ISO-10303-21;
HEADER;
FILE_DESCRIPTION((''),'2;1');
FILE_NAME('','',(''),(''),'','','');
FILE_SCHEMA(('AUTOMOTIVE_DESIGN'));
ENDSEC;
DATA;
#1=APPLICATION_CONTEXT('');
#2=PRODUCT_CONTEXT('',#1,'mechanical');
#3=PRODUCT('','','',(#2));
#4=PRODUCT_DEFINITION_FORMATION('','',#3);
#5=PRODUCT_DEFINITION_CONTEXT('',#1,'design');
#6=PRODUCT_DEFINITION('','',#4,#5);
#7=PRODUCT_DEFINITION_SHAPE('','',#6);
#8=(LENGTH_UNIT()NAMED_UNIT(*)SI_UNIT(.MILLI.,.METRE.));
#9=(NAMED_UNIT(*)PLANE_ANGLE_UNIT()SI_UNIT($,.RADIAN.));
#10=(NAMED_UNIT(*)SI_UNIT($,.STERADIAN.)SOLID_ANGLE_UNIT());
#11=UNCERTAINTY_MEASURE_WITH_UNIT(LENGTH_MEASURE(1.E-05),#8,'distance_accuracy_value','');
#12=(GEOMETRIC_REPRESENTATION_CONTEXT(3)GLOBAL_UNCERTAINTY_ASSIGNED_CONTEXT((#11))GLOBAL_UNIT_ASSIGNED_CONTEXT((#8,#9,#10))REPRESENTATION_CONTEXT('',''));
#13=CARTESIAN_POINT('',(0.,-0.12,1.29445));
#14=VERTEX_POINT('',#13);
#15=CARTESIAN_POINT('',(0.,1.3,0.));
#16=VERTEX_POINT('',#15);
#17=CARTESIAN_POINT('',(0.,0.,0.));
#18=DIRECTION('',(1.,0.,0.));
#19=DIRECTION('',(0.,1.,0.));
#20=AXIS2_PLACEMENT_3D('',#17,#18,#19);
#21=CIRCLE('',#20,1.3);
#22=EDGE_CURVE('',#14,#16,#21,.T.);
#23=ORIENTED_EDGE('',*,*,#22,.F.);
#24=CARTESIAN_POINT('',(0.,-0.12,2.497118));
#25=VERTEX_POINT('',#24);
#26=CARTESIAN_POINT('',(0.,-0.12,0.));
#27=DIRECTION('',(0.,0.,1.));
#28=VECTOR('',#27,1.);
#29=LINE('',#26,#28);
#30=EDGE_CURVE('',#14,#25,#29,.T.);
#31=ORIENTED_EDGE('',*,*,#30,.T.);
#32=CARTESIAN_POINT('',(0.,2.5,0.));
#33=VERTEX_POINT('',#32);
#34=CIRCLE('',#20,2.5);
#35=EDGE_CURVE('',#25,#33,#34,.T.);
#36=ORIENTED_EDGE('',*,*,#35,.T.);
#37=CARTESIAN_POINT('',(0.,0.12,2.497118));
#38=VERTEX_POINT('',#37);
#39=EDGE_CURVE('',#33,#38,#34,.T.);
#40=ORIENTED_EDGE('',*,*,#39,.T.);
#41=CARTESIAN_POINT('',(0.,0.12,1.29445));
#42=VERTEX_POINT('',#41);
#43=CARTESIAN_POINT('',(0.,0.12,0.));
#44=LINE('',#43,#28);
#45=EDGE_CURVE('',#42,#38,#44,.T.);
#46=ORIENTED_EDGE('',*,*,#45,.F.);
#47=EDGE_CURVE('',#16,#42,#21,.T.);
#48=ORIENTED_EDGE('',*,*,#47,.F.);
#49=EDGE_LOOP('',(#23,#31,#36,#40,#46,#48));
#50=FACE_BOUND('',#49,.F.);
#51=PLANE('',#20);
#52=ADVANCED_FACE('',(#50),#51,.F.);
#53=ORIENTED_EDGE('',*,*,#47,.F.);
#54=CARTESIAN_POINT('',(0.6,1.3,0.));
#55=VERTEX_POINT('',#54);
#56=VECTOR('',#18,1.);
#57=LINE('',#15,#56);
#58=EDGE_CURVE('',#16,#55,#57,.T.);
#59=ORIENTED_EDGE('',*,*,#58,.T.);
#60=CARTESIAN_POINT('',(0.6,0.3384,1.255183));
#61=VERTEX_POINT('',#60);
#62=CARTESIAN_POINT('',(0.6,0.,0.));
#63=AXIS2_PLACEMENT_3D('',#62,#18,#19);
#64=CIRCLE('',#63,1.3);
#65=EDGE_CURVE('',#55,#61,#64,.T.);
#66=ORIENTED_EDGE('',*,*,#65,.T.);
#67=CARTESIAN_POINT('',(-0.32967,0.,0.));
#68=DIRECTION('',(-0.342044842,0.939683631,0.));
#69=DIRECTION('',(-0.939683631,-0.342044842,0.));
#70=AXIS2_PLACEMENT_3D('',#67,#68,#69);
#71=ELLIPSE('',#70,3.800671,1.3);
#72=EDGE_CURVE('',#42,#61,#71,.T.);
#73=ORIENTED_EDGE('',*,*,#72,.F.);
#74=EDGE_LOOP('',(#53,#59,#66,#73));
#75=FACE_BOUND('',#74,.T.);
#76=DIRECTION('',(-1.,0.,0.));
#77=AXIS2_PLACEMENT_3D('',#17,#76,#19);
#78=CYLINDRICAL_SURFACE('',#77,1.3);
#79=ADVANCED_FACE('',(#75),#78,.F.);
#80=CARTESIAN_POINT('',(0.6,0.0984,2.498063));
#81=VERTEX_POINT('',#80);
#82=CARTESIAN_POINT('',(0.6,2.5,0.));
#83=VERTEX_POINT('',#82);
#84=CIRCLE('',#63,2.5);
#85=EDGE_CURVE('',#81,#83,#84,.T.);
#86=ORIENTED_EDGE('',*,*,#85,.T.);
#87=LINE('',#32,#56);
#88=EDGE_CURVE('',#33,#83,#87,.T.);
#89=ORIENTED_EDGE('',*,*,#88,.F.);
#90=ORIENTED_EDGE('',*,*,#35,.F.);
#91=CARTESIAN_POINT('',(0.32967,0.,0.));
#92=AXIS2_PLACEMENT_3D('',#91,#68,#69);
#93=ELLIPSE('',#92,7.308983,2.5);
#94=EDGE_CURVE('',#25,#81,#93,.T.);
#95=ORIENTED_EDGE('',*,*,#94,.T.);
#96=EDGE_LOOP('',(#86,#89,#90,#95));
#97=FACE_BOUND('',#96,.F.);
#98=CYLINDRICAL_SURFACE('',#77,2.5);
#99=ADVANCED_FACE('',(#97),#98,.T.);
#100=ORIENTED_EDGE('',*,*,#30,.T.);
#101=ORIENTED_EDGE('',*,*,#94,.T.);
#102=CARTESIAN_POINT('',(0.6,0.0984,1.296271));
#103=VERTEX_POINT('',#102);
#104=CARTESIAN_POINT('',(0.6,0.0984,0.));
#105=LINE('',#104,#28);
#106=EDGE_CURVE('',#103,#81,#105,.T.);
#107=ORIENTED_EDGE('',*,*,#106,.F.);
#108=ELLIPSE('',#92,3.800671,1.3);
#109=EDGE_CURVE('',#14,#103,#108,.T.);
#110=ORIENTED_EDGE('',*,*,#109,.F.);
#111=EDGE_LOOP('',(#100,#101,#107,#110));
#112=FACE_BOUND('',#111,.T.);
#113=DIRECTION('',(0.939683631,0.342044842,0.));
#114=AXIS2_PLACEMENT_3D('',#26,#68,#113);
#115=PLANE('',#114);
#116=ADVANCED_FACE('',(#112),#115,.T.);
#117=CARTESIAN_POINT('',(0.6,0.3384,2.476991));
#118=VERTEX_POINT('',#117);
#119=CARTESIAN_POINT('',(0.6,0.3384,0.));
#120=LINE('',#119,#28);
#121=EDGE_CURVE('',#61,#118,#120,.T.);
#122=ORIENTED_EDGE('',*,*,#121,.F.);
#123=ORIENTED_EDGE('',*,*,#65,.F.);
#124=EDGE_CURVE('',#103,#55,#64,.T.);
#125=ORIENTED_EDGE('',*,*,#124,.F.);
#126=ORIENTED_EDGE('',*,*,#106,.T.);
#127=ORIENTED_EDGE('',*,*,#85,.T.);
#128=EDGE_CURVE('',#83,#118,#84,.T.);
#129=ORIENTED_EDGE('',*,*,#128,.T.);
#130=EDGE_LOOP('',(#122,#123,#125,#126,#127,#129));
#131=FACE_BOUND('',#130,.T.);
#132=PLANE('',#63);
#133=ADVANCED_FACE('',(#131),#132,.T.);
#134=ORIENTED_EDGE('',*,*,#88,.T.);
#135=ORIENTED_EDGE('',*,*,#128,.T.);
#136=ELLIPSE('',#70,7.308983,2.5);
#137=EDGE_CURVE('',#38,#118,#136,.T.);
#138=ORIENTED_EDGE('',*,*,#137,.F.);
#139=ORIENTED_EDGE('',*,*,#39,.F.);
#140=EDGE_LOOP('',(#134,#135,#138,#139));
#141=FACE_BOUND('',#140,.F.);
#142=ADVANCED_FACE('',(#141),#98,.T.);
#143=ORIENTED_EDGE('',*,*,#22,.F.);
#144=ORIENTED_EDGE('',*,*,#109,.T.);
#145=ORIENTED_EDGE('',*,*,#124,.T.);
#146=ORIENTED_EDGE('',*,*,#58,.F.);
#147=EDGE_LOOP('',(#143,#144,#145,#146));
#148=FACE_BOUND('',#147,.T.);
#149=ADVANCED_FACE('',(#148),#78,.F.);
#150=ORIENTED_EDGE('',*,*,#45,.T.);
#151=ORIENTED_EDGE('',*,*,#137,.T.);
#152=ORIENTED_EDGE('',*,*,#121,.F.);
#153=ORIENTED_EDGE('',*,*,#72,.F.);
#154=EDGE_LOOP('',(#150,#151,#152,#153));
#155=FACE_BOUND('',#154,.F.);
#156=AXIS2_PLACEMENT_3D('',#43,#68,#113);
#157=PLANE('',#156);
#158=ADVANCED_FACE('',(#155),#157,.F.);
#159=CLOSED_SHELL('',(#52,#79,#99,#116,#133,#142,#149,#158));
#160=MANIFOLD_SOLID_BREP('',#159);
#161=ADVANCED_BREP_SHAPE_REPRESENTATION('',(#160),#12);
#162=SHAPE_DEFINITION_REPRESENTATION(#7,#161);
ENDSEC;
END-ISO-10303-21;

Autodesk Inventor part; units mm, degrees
ref_plane "YZ Plane" through (0, 0, 0) normal (1, 0, 0) x (0, 1, 0)
ref_plane "XZ Plane" through (0, 0, 0) normal (0, 1, 0) x (-1, 0, 0)
sketch "Sketch1" plane through (0, 0, 0) normal (1, 0, 0) x (0, 1, 0)
  circle A0 centre (0, 0) radius 2.5
  circle A1 centre (0, 0) radius 1.3
  dimension "d0" = 2.6
  dimension "d1" = 5
extrude "Body" add sketch "Sketch1" along normal blind 0.6
sketch "Sketch2" plane through (0, 0, 0) normal (0, 0, 1) x (1, 0, 0)
  line L0 (0, -1.3) -> (0, 1.3) projected
  line L1 (0.6, 2.5) -> (0.6, -2.5) projected
  line L2 (-1.2, 0) -> (7.2, 0) projected
  line L3 (0, -0.12) -> (0.6, 0.0984)
  line L4 (0, 0.12) -> (0.6, 0.3384)
  dimension "d4" = 0.12
  dimension "d5" = 0.12
  dimension "d6" = 70
extrude "Cut" cut sketch "Sketch2" along normal up to next contours L0 L2 L3 | L0 L4 L1 L3 L2
ref_plane "Work Plane1" through (0, 0, 0) normal (0, -1, 0) x (1, 0, 0)
equation "\"d0\" = SD1"
equation "\"d1\" = SD2"
equation "\"d2\" = SD"
equation "\"d4\" = 0.2 * SD"
equation "\"d5\" = 0.2 * SD"
equation "\"d6\" = FAWI"
equation "\"d7\" = SD"
equation "\"SD1\" = 2.6"
equation "\"SD2\" = 5"
equation "\"SD\" = 0.6"
equation "\"FAWI\" = 70deg"
equation "\"RR\" = 0.2"
equation "\"NND\" = 2.5"
properties part number "BS 4464 - M2,5 Form B" material "Steel, Mild"
